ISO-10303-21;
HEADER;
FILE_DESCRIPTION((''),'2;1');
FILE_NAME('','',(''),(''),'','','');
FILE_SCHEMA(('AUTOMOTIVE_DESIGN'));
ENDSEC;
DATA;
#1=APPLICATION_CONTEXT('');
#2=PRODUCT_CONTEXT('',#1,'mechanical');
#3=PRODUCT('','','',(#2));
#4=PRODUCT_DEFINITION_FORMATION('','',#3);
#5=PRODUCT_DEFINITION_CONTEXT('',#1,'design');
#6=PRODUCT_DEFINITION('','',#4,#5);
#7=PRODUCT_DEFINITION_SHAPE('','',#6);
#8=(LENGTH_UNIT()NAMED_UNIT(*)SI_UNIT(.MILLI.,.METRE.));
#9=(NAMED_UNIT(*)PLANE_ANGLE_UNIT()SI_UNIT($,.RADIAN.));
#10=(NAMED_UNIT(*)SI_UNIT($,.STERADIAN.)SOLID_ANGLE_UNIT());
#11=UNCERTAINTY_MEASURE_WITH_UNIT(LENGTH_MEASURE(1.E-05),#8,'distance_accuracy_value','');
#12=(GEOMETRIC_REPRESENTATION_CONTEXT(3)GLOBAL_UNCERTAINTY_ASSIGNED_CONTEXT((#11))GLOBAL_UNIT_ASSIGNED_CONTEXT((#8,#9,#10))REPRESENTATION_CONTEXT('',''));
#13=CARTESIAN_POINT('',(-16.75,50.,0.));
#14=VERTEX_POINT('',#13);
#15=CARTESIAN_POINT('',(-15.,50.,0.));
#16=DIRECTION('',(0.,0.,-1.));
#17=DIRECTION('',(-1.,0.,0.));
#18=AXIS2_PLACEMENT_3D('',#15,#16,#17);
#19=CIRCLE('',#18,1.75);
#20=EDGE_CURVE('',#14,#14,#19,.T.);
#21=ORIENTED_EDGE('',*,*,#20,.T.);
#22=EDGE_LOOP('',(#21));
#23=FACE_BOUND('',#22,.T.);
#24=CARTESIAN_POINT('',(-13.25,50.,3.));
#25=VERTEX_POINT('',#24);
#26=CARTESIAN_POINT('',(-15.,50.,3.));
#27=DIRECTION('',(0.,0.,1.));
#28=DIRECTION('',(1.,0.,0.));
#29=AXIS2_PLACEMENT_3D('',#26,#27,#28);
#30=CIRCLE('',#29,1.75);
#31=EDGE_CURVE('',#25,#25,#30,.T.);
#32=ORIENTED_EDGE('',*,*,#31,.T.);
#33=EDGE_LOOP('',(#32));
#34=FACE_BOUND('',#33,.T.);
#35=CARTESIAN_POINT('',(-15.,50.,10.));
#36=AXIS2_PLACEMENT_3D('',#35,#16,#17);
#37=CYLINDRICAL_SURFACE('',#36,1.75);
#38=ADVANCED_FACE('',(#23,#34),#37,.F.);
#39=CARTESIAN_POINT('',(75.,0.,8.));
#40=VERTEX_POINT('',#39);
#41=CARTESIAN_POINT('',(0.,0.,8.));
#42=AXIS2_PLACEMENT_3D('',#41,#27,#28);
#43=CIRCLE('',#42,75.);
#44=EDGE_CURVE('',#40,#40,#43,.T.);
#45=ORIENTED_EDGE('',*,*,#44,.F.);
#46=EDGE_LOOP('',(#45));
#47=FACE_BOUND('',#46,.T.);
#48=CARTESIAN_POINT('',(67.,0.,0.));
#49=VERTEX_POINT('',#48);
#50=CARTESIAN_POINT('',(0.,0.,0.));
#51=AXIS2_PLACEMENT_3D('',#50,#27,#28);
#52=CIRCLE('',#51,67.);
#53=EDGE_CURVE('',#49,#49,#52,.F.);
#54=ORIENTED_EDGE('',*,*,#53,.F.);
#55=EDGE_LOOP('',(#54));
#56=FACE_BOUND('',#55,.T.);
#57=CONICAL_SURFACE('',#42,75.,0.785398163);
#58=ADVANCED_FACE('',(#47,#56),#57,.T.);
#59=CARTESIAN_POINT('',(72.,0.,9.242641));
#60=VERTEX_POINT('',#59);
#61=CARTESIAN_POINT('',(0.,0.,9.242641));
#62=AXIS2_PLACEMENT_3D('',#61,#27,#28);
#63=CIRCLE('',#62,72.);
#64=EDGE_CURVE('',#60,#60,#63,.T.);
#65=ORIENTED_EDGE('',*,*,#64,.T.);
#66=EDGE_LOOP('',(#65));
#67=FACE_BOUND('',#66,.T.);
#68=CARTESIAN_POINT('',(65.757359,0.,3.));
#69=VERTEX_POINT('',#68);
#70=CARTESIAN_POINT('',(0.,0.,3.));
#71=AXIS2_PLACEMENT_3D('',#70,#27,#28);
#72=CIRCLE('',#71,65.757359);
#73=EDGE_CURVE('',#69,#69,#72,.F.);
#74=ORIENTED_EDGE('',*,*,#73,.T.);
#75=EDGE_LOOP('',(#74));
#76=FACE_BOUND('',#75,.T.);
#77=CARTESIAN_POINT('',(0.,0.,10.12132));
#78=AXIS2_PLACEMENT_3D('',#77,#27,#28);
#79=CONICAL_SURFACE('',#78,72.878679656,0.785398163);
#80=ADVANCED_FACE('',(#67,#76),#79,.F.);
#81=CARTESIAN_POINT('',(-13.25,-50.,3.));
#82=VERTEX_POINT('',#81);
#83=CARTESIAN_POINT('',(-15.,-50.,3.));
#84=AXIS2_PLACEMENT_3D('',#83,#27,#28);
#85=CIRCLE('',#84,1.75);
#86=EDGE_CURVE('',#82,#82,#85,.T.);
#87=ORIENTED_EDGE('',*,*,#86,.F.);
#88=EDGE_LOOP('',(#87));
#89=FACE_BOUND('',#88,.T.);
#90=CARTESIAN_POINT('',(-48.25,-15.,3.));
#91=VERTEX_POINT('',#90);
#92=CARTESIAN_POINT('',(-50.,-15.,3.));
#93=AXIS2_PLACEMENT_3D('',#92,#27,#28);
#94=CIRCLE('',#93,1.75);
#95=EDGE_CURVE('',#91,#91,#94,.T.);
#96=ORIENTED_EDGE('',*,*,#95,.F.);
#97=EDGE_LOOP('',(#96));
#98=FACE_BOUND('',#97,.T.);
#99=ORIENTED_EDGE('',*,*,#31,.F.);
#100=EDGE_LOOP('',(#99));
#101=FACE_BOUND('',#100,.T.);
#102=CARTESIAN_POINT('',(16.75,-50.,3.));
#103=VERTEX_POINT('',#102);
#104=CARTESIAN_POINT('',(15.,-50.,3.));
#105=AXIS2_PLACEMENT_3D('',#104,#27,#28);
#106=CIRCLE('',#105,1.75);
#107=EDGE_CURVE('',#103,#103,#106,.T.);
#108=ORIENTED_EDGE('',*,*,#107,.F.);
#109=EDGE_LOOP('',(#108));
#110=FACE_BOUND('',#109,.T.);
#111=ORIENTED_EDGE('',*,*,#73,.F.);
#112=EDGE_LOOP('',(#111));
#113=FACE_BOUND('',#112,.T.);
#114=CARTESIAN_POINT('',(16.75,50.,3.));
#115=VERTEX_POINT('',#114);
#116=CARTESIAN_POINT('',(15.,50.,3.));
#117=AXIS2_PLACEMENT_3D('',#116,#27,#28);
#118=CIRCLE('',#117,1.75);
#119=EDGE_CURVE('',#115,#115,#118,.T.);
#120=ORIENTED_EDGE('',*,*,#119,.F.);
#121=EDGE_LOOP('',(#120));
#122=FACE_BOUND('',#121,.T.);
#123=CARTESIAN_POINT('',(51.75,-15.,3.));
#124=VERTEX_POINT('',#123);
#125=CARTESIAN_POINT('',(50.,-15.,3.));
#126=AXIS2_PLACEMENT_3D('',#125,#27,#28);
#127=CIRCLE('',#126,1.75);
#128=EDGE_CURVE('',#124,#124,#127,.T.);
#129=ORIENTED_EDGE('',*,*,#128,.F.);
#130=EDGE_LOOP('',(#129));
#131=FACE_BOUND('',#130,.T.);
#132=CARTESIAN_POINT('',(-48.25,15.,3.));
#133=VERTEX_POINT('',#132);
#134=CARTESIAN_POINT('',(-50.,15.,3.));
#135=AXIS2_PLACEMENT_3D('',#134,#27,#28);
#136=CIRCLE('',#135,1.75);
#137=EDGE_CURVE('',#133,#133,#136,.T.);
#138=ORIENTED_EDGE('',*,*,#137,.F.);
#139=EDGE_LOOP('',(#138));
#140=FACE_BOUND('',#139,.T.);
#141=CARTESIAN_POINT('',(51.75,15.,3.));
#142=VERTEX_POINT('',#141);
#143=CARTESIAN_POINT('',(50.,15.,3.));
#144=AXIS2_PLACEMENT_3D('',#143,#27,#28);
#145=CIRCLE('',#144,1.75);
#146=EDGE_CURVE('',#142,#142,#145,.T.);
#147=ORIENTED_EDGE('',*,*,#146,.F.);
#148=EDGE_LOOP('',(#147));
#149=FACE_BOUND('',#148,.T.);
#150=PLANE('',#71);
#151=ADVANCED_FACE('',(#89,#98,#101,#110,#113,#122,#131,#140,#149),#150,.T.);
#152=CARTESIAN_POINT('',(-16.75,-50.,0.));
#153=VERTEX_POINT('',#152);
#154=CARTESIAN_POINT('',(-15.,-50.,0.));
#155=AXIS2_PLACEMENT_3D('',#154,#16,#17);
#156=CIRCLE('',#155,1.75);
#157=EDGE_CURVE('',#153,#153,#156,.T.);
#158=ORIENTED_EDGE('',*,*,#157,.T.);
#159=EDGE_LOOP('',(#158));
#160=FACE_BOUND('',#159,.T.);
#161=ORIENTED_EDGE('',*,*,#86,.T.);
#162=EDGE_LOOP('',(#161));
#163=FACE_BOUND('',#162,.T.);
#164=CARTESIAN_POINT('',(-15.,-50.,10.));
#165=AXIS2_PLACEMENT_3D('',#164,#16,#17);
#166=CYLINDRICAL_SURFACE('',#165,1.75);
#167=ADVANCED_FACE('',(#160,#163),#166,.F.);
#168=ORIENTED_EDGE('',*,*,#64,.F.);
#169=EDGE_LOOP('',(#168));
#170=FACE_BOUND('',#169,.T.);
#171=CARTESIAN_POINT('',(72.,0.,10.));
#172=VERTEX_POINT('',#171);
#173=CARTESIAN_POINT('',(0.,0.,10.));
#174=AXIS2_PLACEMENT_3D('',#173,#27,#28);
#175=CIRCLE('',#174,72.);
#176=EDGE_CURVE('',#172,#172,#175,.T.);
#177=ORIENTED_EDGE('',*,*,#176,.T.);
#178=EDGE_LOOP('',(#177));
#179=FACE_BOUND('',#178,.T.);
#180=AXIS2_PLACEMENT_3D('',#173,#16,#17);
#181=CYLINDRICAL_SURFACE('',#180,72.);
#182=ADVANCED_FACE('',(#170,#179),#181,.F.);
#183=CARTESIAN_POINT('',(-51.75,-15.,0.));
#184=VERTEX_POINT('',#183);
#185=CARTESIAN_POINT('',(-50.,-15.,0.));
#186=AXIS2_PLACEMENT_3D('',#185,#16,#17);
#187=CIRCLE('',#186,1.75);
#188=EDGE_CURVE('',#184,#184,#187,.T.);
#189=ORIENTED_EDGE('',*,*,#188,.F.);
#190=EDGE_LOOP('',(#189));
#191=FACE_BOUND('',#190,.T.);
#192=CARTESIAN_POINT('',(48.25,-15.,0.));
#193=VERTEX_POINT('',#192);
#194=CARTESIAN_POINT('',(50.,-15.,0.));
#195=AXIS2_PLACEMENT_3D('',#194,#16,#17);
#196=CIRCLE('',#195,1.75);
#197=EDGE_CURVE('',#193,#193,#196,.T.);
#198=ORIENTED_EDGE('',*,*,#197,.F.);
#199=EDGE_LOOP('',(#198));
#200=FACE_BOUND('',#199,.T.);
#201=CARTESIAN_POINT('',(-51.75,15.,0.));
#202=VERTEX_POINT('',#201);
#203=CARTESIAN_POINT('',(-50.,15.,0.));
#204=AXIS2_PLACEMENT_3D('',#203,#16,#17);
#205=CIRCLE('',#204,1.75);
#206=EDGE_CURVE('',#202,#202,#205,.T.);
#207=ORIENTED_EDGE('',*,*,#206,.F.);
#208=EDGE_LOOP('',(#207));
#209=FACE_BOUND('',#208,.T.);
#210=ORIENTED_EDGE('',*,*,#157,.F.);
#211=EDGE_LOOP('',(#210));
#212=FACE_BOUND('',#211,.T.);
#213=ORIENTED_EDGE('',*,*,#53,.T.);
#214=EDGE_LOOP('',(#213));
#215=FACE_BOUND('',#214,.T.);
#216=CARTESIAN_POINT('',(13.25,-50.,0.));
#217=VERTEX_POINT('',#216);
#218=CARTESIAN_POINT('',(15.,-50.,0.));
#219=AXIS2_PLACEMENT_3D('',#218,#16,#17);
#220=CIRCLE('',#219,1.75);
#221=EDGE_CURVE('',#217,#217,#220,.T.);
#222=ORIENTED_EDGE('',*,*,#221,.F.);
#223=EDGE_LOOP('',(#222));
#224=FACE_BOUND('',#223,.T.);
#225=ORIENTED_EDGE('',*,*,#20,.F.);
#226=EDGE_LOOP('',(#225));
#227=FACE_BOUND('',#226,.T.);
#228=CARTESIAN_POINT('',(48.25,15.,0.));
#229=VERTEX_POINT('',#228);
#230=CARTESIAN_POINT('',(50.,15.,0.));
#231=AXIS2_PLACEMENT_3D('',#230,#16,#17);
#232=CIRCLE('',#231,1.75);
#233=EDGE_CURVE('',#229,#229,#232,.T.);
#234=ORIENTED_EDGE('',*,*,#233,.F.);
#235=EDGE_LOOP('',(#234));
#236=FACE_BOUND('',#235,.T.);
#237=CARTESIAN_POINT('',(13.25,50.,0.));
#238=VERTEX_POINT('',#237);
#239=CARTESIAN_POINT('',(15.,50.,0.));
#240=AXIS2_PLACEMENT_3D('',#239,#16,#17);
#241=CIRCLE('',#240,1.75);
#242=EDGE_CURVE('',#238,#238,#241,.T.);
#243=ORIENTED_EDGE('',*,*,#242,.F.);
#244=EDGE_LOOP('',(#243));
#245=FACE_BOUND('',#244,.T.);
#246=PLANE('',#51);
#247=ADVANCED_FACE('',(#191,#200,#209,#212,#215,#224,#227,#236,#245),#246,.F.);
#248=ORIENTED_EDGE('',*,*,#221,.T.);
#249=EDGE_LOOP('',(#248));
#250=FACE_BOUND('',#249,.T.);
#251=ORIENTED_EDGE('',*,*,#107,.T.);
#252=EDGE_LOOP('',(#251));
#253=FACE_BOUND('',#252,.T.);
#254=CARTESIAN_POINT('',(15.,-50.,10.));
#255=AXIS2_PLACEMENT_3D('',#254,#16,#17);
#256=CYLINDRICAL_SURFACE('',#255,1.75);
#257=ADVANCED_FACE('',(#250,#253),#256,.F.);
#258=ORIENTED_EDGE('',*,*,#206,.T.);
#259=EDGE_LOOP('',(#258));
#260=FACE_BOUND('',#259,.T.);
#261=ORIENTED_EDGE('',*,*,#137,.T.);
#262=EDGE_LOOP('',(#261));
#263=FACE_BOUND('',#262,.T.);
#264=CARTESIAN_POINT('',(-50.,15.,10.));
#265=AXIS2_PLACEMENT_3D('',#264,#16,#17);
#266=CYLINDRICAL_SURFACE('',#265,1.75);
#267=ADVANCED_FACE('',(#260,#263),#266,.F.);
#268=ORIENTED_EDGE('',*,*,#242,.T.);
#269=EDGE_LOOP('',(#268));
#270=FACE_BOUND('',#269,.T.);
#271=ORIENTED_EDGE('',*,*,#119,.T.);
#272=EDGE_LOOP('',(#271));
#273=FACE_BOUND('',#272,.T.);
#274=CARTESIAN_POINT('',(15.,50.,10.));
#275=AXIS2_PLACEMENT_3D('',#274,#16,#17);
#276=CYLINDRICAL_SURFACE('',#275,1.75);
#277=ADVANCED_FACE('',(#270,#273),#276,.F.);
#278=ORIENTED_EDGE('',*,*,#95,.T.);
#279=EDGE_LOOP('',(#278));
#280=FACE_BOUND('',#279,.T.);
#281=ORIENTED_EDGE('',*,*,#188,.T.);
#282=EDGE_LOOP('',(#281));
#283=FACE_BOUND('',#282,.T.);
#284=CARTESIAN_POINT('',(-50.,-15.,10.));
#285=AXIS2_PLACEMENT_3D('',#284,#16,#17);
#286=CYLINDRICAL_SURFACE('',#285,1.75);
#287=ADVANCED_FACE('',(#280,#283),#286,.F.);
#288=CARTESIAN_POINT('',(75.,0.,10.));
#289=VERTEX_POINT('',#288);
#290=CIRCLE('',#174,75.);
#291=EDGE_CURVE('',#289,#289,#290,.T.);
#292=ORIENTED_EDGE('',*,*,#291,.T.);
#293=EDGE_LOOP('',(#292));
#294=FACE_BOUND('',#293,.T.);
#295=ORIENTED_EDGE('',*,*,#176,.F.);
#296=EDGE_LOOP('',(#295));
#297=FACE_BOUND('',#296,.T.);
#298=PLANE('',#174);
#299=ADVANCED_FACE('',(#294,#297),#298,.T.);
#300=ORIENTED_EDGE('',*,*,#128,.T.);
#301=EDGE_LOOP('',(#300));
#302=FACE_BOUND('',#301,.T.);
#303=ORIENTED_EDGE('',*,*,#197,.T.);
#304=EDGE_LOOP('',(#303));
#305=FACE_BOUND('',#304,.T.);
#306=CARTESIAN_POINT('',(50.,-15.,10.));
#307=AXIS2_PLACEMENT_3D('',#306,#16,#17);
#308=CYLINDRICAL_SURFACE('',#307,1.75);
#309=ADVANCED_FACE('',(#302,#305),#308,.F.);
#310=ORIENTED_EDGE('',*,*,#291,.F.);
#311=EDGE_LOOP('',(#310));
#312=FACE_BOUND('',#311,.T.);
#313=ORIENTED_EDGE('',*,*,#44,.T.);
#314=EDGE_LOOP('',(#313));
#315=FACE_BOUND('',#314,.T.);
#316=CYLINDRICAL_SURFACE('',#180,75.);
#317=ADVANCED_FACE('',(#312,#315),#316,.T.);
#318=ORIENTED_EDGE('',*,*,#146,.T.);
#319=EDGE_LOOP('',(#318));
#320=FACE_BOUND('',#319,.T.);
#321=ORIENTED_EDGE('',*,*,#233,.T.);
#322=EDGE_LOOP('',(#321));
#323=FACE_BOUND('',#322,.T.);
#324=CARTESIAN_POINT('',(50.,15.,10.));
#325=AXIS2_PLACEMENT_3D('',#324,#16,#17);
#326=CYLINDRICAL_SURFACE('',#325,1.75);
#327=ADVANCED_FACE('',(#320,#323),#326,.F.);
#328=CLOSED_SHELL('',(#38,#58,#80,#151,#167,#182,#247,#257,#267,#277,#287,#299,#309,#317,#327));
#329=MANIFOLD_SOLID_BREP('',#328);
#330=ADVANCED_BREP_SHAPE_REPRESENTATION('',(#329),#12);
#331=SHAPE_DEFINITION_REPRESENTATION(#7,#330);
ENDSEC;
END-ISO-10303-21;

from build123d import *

# Parameters (mm, degrees)
SKETCH1_R           = 75
BOSS_EXTRUDE1_DEPTH = 10
CHAMFER1_SIZE       = 8
SHELL1_T            = -3
SKETCH2_R           = 1.75
CUT_EXTRUDE1_DEPTH  = 107.536378763


with BuildPart() as part:
    # Sketch1 → Boss-Extrude1 (new body)
    with BuildSketch(Plane.XY):
        Circle(SKETCH1_R)
    extrude(amount=BOSS_EXTRUDE1_DEPTH)

    # Chamfer1
    chamfer1_edges = [part.edges().sort_by_distance(p)[0] for p in [
        (-75, 0, 0),
    ]]
    chamfer(chamfer1_edges, length=CHAMFER1_SIZE)

    # Shell1
    shell1_openings = [part.faces().sort_by_distance(p)[0] for p in [
        (0, 0, 10),
    ]]
    offset(amount=SHELL1_T, openings=shell1_openings, kind=Kind.INTERSECTION)

    # Sketch2 → Cut-Extrude1 (cut, through all)
    with BuildSketch(Plane(origin=(0, 0, 0), x_dir=(-1, 0, 0), z_dir=(0, 0, -1))):
        with Locations((-50, 15)):
            Circle(SKETCH2_R)
        with Locations((-50, -15)):
            Circle(SKETCH2_R)
        with Locations((-15, -50)):
            Circle(SKETCH2_R)
        with Locations((15, -50)):
            Circle(SKETCH2_R)
        with Locations((50, -15)):
            Circle(SKETCH2_R)
        with Locations((50, 15)):
            Circle(SKETCH2_R)
        with Locations((-15, 50)):
            Circle(SKETCH2_R)
        with Locations((15, 50)):
            Circle(SKETCH2_R)
    extrude(amount=-CUT_EXTRUDE1_DEPTH, mode=Mode.SUBTRACT)


solid = part.part
